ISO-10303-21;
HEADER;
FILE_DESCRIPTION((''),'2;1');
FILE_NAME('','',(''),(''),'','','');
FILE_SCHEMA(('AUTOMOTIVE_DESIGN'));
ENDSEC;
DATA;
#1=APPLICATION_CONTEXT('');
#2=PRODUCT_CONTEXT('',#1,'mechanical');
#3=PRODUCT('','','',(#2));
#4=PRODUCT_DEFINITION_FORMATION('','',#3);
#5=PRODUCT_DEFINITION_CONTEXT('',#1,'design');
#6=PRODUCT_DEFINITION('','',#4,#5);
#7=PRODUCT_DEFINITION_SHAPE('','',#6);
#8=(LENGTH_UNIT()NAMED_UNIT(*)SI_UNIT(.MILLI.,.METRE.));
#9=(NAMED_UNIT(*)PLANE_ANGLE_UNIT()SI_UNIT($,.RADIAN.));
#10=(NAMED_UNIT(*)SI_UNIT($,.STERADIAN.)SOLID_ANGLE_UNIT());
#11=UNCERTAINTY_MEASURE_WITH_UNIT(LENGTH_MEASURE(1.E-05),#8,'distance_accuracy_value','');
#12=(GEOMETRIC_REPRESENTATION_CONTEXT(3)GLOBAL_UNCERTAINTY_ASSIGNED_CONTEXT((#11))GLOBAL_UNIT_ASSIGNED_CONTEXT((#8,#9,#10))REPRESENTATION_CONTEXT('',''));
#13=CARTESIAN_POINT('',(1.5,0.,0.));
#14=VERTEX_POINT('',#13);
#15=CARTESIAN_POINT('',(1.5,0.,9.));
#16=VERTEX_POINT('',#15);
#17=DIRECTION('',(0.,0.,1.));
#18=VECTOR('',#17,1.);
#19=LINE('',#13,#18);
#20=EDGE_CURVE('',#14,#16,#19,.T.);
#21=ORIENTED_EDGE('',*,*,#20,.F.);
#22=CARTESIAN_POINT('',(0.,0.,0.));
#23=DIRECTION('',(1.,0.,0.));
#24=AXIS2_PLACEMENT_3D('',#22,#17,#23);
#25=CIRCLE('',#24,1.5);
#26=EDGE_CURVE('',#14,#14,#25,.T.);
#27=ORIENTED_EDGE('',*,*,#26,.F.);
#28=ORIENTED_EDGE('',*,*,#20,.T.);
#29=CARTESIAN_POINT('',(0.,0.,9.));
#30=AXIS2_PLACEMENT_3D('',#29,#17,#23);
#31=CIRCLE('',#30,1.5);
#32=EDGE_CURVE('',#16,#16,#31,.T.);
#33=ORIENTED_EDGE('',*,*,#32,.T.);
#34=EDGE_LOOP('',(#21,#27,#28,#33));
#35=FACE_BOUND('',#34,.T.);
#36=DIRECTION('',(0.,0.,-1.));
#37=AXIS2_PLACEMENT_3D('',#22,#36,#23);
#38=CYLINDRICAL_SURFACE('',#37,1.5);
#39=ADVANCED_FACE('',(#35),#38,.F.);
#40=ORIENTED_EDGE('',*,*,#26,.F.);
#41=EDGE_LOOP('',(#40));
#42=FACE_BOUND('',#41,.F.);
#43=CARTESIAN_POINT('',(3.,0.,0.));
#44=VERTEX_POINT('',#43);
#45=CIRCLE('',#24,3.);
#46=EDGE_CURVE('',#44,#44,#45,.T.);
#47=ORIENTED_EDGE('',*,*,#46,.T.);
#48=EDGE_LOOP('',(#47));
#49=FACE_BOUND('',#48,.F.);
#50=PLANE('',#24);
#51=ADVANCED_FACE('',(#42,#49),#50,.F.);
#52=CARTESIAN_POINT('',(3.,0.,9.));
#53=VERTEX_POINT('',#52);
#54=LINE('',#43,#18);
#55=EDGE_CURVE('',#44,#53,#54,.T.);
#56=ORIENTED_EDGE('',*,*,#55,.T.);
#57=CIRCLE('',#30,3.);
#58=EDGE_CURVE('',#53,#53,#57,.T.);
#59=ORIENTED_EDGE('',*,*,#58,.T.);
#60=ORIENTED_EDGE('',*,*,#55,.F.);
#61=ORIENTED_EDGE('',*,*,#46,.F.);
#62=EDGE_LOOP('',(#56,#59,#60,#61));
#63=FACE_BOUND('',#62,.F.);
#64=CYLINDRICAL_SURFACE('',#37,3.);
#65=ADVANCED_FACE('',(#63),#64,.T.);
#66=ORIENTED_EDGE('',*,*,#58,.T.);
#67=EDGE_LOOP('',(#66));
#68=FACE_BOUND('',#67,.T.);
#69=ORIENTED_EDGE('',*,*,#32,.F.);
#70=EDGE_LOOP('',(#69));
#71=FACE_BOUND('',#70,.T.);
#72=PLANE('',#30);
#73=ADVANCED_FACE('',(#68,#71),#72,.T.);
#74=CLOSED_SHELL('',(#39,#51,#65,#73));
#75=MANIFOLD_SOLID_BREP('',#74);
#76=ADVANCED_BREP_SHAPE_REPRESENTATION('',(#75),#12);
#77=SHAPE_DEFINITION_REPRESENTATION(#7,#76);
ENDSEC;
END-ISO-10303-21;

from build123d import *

# Parameters (mm, degrees)
CROQUIS1_R              = 3
CROQUIS1_R_2            = 1.5
SALIENTE_EXTRUIR1_DEPTH = 9


with BuildPart() as part:
    # Croquis1 → Saliente-Extruir1 (new body)
    with BuildSketch(Plane.XY):
        Circle(CROQUIS1_R)
        Circle(CROQUIS1_R_2, mode=Mode.SUBTRACT)
    extrude(amount=SALIENTE_EXTRUIR1_DEPTH)


solid = part.part
